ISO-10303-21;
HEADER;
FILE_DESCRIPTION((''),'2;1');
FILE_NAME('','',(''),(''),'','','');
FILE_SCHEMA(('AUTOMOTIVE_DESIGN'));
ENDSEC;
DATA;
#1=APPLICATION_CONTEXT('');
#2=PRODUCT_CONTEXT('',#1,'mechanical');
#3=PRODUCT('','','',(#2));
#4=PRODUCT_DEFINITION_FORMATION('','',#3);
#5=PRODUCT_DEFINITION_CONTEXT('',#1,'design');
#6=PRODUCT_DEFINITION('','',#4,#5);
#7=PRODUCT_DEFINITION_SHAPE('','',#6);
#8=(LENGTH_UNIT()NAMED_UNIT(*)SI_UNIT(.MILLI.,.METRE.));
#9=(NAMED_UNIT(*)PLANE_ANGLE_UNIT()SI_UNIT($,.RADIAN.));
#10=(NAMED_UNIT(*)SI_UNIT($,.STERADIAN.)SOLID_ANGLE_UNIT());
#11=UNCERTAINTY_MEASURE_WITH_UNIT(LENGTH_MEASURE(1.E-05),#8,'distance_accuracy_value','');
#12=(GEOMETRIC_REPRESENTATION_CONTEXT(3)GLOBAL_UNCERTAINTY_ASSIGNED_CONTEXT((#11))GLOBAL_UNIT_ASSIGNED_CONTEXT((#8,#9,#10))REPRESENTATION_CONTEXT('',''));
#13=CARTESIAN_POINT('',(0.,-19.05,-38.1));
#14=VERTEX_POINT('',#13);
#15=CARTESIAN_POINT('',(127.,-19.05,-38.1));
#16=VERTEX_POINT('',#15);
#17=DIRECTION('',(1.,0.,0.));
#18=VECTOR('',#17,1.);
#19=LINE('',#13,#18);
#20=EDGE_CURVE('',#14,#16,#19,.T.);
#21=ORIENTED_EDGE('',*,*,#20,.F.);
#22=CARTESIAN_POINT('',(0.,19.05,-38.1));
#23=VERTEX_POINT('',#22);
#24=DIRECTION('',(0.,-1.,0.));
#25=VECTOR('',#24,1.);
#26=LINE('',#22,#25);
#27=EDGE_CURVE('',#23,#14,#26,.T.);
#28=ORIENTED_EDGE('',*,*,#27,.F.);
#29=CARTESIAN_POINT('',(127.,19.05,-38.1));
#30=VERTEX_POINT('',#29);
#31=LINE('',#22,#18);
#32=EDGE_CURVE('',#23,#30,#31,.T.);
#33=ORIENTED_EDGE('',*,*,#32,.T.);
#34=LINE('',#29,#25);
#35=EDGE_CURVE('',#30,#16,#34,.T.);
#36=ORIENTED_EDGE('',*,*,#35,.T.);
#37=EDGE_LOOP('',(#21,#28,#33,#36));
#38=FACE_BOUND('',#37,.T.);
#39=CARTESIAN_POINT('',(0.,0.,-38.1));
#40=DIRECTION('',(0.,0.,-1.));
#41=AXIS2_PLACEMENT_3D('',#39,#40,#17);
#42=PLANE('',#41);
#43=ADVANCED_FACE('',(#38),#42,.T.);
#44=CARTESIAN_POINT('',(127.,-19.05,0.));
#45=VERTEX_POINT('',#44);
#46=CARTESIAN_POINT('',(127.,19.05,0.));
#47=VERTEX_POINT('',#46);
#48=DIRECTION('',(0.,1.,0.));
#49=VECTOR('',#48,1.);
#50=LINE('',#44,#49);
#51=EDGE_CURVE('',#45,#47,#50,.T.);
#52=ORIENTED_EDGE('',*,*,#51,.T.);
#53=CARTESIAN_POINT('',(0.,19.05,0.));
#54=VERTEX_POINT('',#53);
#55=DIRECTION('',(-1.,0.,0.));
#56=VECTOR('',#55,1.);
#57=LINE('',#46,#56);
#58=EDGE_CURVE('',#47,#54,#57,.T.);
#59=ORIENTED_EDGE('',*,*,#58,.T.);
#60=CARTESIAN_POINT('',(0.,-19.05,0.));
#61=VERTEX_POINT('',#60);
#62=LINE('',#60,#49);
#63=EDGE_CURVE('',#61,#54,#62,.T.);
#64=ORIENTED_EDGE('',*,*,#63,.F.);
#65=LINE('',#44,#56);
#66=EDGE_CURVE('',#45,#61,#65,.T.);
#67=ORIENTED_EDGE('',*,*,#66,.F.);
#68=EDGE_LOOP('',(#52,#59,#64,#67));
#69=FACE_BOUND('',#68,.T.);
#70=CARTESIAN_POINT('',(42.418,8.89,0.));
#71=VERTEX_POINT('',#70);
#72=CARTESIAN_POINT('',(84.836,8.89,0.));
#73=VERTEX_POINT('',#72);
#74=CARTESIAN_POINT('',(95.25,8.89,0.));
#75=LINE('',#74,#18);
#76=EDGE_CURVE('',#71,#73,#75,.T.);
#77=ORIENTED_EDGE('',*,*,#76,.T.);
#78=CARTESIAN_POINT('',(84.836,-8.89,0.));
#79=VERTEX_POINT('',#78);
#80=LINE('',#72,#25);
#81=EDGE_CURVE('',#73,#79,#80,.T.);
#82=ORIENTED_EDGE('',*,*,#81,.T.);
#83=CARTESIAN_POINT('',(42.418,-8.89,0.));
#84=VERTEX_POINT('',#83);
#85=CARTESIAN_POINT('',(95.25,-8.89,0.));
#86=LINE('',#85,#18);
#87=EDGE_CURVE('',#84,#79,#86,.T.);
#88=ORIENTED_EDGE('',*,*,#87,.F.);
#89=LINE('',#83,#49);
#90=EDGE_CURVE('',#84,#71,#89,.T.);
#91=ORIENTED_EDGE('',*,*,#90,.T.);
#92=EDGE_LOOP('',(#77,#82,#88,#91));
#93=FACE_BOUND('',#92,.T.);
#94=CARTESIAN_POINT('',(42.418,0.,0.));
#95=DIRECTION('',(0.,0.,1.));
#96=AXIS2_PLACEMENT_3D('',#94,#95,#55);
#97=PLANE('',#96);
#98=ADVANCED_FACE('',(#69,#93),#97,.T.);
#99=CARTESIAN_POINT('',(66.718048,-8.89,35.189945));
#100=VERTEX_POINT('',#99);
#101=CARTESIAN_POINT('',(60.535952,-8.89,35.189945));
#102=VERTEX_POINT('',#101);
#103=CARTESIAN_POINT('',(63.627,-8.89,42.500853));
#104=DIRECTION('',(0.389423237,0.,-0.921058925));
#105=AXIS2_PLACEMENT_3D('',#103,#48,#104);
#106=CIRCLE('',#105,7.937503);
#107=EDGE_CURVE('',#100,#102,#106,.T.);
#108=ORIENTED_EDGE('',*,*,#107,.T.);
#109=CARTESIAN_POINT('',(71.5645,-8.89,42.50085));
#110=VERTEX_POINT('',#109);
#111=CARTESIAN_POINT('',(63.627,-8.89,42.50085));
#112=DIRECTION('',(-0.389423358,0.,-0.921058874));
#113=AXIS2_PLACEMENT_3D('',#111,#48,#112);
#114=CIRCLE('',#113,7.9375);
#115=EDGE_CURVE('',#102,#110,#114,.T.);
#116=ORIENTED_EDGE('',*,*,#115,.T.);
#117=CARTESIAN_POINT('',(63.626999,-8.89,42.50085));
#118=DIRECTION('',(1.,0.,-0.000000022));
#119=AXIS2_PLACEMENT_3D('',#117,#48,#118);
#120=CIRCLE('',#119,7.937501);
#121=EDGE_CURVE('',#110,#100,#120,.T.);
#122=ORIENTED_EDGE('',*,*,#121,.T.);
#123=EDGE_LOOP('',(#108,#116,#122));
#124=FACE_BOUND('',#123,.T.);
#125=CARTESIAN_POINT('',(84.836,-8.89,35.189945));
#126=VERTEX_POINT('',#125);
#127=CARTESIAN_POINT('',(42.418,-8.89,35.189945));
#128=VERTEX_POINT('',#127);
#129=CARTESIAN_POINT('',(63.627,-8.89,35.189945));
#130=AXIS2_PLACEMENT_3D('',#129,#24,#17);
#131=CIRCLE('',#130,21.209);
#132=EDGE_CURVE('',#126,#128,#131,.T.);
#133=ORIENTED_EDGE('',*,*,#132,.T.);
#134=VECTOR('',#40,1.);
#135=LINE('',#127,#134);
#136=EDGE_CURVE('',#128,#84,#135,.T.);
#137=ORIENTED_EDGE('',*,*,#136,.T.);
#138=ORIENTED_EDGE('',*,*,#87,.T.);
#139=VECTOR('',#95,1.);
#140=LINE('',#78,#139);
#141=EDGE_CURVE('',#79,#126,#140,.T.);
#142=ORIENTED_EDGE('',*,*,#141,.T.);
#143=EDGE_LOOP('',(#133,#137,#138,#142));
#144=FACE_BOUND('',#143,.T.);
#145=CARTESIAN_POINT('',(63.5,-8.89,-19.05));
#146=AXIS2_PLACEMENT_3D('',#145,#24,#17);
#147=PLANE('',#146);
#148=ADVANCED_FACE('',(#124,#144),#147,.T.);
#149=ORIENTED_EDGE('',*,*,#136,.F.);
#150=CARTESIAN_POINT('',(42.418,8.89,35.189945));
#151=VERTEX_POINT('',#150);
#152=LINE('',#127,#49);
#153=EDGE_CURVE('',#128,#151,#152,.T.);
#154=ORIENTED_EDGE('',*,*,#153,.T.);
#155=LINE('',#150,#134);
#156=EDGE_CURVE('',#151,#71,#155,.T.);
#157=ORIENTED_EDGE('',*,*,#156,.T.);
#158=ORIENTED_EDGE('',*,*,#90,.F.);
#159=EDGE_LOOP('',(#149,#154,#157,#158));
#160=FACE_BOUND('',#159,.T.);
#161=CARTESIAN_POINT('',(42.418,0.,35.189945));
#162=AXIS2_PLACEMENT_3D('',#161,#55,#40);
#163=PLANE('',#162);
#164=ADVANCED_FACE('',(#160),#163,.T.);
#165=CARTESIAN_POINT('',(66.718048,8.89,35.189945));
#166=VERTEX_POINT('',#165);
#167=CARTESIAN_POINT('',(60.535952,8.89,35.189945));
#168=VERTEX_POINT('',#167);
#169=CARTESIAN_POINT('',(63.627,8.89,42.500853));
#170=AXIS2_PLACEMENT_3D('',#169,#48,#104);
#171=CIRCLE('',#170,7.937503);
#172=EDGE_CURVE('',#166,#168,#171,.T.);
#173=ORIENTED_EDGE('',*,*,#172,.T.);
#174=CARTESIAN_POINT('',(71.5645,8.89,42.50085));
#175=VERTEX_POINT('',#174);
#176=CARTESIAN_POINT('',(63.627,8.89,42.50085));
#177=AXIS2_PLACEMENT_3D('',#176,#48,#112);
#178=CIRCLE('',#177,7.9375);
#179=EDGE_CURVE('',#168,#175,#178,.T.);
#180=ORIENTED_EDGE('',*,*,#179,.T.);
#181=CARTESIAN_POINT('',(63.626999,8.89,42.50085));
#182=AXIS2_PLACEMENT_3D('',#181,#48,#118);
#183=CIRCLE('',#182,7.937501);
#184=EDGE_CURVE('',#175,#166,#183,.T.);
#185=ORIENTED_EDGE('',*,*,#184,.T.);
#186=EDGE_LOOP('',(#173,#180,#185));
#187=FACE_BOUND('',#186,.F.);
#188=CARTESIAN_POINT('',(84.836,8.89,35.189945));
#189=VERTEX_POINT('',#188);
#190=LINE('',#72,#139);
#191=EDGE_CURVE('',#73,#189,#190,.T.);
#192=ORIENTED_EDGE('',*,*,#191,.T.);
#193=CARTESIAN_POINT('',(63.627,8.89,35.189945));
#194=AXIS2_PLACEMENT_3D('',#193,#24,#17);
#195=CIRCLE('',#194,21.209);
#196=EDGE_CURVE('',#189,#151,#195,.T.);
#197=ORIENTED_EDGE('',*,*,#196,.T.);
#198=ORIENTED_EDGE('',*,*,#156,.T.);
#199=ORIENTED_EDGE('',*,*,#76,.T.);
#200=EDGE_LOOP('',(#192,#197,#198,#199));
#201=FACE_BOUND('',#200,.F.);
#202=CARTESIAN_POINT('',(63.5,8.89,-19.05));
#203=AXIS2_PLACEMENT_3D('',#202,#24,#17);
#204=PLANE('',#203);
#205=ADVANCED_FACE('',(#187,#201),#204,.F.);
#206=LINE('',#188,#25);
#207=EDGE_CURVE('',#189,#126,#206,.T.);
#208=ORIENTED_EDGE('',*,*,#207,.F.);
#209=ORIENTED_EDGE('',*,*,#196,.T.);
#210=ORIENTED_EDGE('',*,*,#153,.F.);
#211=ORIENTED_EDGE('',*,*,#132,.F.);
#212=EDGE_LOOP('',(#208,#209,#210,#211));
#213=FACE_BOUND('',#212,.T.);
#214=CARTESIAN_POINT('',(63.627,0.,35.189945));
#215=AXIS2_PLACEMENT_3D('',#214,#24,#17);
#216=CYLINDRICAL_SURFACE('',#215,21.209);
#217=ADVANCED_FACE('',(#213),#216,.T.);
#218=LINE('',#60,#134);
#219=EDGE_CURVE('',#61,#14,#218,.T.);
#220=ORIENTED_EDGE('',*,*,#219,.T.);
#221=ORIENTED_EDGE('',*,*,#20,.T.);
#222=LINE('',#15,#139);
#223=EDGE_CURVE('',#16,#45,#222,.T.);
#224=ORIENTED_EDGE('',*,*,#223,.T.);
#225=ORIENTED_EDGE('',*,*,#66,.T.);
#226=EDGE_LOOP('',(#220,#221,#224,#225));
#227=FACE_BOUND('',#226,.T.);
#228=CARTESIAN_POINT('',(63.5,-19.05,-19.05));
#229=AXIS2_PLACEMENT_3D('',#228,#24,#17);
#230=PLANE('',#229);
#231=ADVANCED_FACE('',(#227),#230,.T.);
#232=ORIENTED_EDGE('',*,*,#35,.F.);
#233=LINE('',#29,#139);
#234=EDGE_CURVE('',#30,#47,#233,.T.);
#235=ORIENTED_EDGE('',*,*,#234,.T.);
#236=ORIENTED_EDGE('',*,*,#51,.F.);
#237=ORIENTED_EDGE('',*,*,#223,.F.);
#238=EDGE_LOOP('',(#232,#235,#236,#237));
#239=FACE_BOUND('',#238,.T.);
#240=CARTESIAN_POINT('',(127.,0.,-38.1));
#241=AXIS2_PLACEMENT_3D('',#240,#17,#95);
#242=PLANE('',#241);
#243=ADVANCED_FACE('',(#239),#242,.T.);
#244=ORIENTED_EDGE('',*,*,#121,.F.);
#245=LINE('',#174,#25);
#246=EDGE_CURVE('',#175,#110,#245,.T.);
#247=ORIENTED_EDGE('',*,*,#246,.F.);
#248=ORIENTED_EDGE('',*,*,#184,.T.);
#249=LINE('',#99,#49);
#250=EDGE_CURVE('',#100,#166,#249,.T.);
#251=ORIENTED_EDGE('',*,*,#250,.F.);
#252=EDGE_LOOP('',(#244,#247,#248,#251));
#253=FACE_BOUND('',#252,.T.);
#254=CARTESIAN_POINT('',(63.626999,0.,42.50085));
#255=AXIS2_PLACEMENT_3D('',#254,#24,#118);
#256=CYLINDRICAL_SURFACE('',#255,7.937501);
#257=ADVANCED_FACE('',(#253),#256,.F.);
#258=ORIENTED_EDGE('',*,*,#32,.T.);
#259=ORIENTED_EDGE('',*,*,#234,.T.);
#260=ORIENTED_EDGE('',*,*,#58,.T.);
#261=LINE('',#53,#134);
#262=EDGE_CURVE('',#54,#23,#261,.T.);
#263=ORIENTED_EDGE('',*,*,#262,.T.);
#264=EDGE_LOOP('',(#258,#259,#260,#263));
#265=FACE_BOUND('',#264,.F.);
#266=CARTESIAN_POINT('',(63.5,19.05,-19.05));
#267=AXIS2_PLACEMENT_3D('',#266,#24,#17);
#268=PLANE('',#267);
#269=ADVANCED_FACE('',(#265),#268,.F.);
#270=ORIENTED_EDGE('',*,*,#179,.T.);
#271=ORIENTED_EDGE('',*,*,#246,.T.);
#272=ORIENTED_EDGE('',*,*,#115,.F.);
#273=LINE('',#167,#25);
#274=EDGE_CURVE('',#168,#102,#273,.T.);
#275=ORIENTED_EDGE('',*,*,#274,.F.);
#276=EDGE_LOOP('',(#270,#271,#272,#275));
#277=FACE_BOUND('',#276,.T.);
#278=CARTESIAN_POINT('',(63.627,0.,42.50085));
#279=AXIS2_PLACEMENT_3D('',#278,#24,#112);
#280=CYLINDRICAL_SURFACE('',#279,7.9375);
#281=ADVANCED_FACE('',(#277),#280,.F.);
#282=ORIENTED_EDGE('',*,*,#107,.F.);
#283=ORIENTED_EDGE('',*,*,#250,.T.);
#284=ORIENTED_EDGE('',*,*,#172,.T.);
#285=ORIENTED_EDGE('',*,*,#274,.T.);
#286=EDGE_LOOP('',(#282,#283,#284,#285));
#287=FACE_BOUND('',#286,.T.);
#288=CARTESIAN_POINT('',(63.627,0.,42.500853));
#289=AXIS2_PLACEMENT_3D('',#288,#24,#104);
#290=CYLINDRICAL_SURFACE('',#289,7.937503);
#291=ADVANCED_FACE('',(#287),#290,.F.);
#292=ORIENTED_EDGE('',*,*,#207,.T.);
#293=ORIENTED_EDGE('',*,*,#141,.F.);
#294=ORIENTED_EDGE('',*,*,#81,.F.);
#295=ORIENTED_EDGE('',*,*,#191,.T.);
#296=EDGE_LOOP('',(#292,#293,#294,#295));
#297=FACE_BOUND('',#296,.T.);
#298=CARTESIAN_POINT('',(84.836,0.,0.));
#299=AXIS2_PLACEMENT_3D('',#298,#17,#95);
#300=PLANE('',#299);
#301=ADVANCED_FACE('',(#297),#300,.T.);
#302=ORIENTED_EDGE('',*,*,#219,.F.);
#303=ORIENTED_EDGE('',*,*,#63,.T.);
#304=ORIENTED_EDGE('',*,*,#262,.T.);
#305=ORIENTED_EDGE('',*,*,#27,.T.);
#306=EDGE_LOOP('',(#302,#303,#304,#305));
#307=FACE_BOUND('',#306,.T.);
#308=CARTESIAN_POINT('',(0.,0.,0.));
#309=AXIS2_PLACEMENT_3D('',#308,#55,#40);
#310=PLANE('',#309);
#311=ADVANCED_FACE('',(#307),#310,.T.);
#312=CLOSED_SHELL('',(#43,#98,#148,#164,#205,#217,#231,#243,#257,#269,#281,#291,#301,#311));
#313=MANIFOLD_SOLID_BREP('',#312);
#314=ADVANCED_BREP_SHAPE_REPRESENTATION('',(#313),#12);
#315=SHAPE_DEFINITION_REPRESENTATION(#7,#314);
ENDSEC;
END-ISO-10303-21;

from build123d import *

# Parameters (mm, degrees)
F1_DEPTH = 19.05
F2_DEPTH = 8.89


with BuildPart() as f1:
    # F0 (on Front) → F1 (new body, symmetric)
    with BuildSketch(Plane.XZ):
        Polygon((42.418, 0), (0, 0), (0, -38.1), (127, -38.1), (127, 0), (84.836, 0), align=None)
    extrude(amount=F1_DEPTH, both=True)

    # F0 (on Front) → F2 (join, symmetric)
    with BuildSketch(Plane.XZ):
        Polygon((42.418, 0), (0, 0), (0, -38.1), (127, -38.1), (127, 0), (84.836, 0), align=None)
        with BuildLine():
            Line((42.418, 35.189945), (42.418, 0))
            Line((42.418, 0), (84.836, 0))
            Line((84.836, 0), (84.836, 35.189945))
            Line((84.836, 35.189945), (66.718048, 35.189945))
            ThreePointArc((66.718048, 35.189945), (63.627, 34.56335), (60.535952, 35.189945))
            Line((60.535952, 35.189945), (42.418, 35.189945))
        make_face()
        with BuildLine():
            ThreePointArc((84.836, 35.189945), (63.627, 56.398945), (42.418, 35.189945))
            Line((42.418, 35.189945), (60.535952, 35.189945))
            ThreePointArc((60.535952, 35.189945), (59.241301, 49.116706), (71.5645, 42.50085))
            ThreePointArc((71.5645, 42.50085), (70.242856, 38.115151), (66.718048, 35.189945))
            Line((66.718048, 35.189945), (84.836, 35.189945))
        make_face()
    extrude(amount=F2_DEPTH, both=True)


solid = f1.part
